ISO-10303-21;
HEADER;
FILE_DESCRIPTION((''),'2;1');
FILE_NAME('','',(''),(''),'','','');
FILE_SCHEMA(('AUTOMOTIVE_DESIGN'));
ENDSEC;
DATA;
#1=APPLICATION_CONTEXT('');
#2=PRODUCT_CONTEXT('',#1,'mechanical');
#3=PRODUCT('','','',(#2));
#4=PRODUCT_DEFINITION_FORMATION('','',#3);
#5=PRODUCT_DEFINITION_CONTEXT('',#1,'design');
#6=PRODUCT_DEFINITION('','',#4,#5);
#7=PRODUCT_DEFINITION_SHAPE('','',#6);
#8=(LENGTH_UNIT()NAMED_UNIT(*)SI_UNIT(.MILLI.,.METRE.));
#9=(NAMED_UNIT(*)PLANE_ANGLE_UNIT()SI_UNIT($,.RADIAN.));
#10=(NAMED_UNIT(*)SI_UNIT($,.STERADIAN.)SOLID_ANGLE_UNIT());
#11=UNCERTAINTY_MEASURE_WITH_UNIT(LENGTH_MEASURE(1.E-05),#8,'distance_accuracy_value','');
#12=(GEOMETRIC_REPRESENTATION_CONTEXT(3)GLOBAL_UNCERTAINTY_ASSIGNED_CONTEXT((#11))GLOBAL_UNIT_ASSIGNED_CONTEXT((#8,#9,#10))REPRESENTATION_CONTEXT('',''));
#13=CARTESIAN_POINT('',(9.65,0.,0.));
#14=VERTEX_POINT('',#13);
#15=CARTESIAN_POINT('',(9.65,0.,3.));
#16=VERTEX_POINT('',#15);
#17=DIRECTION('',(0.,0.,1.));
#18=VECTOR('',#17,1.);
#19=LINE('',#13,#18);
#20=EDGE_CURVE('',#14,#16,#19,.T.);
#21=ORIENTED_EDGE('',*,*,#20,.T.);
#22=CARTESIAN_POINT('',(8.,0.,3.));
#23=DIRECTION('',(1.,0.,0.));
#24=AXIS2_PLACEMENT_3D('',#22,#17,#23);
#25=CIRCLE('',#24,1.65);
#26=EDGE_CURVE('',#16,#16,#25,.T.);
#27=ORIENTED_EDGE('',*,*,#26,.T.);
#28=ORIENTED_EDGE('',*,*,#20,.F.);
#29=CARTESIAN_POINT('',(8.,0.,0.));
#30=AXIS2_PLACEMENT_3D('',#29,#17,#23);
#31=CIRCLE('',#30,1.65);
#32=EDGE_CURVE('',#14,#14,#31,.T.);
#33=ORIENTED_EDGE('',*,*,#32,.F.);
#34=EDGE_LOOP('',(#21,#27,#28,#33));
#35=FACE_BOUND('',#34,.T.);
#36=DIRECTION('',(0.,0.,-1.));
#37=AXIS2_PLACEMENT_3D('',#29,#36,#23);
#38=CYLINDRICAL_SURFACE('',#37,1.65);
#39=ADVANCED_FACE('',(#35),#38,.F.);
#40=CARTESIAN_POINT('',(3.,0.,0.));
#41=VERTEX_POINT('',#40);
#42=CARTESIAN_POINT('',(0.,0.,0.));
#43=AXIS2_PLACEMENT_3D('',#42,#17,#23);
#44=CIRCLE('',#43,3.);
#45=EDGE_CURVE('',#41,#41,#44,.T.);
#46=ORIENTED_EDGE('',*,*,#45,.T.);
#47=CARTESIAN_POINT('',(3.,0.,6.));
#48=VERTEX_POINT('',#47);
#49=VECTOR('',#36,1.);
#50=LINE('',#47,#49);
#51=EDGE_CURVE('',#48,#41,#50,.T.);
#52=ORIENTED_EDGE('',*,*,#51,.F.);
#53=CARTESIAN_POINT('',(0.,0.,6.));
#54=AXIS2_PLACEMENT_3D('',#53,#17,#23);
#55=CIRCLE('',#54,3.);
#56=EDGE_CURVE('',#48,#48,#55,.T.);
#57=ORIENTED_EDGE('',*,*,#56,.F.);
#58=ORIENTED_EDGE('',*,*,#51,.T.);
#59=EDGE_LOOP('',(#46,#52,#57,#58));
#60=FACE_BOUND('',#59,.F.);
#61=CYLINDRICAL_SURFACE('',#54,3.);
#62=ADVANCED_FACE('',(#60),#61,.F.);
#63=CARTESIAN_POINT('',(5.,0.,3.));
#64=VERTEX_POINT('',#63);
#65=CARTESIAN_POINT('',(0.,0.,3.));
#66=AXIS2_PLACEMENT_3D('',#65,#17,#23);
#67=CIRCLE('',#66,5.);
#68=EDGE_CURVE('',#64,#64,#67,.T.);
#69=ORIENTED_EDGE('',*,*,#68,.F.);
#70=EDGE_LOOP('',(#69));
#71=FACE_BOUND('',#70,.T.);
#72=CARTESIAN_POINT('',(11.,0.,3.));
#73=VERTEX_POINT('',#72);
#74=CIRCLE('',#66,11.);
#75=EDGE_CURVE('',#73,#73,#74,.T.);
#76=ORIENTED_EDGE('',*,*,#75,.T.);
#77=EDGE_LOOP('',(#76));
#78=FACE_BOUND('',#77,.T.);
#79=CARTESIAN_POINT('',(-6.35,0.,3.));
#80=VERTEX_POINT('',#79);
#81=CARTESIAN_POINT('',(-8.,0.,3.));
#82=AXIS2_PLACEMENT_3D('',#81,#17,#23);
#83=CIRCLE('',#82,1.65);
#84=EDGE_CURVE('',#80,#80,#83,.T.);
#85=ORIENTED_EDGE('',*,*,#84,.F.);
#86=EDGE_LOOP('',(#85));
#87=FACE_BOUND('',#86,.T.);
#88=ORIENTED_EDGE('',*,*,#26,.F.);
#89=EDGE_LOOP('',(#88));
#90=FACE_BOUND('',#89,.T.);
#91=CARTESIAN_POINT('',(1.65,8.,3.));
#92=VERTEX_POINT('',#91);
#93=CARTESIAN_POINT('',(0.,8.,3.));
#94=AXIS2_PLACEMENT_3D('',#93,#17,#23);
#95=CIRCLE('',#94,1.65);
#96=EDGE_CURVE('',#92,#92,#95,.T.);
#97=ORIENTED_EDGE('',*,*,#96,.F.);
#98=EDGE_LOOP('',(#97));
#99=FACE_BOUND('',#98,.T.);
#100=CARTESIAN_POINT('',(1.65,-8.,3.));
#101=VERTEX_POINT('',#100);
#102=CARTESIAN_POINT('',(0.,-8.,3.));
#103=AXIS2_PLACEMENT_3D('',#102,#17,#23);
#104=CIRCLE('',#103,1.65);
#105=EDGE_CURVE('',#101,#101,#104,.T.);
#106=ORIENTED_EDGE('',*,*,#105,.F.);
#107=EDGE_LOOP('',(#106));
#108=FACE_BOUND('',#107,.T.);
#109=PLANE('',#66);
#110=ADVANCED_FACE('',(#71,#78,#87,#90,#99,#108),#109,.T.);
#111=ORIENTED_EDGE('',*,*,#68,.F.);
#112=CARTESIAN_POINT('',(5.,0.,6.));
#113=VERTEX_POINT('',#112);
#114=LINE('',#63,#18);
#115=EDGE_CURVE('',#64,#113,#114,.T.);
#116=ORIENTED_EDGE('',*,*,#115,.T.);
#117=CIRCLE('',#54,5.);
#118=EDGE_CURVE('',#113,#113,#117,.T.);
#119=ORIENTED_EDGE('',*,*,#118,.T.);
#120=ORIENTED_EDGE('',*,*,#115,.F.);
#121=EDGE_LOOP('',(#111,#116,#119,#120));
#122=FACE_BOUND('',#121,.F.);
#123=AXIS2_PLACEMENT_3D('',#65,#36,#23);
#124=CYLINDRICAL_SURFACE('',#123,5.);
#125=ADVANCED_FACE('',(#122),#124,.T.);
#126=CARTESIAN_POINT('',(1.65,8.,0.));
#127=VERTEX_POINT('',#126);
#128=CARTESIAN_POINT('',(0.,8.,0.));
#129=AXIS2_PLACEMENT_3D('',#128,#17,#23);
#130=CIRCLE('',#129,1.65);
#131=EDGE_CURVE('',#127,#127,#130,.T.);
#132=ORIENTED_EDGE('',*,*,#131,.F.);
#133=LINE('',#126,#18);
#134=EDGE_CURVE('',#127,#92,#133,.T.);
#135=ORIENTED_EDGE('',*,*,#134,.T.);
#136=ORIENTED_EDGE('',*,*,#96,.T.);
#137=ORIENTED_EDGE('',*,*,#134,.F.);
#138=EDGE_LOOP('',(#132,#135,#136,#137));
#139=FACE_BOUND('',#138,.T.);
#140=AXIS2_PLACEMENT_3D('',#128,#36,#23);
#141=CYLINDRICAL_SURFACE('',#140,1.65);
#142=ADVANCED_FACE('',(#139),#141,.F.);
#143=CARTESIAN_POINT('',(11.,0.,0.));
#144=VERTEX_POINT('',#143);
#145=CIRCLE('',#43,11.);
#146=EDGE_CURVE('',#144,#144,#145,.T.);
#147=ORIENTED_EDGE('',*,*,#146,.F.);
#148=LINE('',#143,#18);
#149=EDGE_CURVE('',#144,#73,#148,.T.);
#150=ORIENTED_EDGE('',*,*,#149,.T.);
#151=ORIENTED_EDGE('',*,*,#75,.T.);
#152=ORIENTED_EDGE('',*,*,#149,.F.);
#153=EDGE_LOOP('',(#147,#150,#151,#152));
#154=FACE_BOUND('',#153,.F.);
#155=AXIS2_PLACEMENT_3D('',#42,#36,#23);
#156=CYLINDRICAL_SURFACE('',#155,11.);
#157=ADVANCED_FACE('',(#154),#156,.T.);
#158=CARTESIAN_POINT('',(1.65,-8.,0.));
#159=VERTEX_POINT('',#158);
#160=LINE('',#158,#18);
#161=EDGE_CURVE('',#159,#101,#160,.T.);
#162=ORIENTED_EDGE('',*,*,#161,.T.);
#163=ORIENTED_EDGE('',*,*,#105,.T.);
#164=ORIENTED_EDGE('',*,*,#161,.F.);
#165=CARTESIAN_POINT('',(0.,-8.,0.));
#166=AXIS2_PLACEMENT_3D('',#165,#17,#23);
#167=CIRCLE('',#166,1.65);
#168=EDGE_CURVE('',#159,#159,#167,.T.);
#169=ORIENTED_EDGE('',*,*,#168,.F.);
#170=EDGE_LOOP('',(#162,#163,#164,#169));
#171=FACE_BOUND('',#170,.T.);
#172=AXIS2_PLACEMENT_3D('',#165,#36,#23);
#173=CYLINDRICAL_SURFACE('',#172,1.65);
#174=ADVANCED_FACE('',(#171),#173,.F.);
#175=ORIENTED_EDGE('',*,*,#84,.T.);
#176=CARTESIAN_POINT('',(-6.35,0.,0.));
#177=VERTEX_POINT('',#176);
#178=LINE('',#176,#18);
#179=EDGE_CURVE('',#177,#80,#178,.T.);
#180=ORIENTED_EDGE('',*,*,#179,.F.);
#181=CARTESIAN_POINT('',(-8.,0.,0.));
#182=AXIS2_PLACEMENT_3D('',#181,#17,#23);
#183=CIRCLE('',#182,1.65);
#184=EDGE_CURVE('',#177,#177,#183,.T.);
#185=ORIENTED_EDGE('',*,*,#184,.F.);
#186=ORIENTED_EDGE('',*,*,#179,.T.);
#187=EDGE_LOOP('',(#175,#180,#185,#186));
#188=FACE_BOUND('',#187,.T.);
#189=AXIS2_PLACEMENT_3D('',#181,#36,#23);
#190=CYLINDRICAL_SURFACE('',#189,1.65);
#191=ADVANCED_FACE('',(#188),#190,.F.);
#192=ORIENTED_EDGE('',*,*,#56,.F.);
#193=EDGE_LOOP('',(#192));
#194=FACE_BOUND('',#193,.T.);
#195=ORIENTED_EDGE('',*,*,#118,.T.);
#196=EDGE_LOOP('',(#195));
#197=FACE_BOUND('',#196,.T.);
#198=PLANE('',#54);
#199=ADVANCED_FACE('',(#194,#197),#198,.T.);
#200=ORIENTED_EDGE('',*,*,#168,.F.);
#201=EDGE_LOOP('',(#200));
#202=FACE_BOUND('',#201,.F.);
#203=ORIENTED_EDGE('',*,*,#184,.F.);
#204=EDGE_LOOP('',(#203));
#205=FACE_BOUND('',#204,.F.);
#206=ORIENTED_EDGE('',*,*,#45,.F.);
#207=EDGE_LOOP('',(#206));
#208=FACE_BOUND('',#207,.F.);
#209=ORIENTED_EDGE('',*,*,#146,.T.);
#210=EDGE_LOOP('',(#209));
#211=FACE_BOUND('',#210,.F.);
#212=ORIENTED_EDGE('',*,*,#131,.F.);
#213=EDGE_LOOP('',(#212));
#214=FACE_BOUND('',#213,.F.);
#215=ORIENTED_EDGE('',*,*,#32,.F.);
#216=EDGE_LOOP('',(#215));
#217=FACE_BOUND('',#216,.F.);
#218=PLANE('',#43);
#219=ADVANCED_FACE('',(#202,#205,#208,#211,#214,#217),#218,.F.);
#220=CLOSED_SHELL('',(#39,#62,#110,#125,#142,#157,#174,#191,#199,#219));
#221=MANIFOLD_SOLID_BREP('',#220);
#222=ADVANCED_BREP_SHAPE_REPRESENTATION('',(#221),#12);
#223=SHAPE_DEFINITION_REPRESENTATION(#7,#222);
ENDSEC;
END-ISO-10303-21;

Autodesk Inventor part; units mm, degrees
ref_plane "YZ Plane" through (0, 0, 0) normal (1, 0, 0) x (0, 1, 0)
ref_plane "XZ Plane" through (0, 0, 0) normal (0, 1, 0) x (-1, 0, 0)
ref_plane "XY Plane" through (0, 0, 0) normal (0, 0, 1) x (1, 0, 0)
sketch "Sketch1" plane through (0, 0, 0) normal (0, 0, 1) x (1, 0, 0)
  circle A0 centre (0, 0) radius 11
  circle A1 centre (0, 8) radius 1.65
  line L0 (-3.4226, 0) -> (4.8397, 0) construction
  line L1 (0, 0) -> (0, 2.4255) construction
  circle A2 centre (8, 0) radius 1.65
  circle A3 centre (0, -8) radius 1.65
  circle A4 centre (-8, 0) radius 1.65
  dimension "d0" = 22
  dimension "d1" = 8
  dimension "d2" = 3.3
  dimension "d3" = 8
  dimension "d4" = 3.3
extrude "Extrusion1" add sketch "Sketch1" along normal blind 3
sketch "Sketch2" plane through (0, 0, 3) normal (0, 0, 1) x (1, 0, 0)
  circle A0 centre (0, 0) radius 5
  dimension "d7" = 10
extrude "Extrusion2" add sketch "Sketch2" along normal blind 3
sketch "Sketch3" plane through (0, 0, 6) normal (0, 0, 1) x (1, 0, 0)
  circle A0 centre (0, 0) radius 3
  dimension "d10" = 6
extrude "Extrusion3" cut sketch "Sketch3" against normal through all
equation "\"d3\" = d1"
equation "\"d4\" = d2"
properties part number "Acople" material "ABS Plastic"
